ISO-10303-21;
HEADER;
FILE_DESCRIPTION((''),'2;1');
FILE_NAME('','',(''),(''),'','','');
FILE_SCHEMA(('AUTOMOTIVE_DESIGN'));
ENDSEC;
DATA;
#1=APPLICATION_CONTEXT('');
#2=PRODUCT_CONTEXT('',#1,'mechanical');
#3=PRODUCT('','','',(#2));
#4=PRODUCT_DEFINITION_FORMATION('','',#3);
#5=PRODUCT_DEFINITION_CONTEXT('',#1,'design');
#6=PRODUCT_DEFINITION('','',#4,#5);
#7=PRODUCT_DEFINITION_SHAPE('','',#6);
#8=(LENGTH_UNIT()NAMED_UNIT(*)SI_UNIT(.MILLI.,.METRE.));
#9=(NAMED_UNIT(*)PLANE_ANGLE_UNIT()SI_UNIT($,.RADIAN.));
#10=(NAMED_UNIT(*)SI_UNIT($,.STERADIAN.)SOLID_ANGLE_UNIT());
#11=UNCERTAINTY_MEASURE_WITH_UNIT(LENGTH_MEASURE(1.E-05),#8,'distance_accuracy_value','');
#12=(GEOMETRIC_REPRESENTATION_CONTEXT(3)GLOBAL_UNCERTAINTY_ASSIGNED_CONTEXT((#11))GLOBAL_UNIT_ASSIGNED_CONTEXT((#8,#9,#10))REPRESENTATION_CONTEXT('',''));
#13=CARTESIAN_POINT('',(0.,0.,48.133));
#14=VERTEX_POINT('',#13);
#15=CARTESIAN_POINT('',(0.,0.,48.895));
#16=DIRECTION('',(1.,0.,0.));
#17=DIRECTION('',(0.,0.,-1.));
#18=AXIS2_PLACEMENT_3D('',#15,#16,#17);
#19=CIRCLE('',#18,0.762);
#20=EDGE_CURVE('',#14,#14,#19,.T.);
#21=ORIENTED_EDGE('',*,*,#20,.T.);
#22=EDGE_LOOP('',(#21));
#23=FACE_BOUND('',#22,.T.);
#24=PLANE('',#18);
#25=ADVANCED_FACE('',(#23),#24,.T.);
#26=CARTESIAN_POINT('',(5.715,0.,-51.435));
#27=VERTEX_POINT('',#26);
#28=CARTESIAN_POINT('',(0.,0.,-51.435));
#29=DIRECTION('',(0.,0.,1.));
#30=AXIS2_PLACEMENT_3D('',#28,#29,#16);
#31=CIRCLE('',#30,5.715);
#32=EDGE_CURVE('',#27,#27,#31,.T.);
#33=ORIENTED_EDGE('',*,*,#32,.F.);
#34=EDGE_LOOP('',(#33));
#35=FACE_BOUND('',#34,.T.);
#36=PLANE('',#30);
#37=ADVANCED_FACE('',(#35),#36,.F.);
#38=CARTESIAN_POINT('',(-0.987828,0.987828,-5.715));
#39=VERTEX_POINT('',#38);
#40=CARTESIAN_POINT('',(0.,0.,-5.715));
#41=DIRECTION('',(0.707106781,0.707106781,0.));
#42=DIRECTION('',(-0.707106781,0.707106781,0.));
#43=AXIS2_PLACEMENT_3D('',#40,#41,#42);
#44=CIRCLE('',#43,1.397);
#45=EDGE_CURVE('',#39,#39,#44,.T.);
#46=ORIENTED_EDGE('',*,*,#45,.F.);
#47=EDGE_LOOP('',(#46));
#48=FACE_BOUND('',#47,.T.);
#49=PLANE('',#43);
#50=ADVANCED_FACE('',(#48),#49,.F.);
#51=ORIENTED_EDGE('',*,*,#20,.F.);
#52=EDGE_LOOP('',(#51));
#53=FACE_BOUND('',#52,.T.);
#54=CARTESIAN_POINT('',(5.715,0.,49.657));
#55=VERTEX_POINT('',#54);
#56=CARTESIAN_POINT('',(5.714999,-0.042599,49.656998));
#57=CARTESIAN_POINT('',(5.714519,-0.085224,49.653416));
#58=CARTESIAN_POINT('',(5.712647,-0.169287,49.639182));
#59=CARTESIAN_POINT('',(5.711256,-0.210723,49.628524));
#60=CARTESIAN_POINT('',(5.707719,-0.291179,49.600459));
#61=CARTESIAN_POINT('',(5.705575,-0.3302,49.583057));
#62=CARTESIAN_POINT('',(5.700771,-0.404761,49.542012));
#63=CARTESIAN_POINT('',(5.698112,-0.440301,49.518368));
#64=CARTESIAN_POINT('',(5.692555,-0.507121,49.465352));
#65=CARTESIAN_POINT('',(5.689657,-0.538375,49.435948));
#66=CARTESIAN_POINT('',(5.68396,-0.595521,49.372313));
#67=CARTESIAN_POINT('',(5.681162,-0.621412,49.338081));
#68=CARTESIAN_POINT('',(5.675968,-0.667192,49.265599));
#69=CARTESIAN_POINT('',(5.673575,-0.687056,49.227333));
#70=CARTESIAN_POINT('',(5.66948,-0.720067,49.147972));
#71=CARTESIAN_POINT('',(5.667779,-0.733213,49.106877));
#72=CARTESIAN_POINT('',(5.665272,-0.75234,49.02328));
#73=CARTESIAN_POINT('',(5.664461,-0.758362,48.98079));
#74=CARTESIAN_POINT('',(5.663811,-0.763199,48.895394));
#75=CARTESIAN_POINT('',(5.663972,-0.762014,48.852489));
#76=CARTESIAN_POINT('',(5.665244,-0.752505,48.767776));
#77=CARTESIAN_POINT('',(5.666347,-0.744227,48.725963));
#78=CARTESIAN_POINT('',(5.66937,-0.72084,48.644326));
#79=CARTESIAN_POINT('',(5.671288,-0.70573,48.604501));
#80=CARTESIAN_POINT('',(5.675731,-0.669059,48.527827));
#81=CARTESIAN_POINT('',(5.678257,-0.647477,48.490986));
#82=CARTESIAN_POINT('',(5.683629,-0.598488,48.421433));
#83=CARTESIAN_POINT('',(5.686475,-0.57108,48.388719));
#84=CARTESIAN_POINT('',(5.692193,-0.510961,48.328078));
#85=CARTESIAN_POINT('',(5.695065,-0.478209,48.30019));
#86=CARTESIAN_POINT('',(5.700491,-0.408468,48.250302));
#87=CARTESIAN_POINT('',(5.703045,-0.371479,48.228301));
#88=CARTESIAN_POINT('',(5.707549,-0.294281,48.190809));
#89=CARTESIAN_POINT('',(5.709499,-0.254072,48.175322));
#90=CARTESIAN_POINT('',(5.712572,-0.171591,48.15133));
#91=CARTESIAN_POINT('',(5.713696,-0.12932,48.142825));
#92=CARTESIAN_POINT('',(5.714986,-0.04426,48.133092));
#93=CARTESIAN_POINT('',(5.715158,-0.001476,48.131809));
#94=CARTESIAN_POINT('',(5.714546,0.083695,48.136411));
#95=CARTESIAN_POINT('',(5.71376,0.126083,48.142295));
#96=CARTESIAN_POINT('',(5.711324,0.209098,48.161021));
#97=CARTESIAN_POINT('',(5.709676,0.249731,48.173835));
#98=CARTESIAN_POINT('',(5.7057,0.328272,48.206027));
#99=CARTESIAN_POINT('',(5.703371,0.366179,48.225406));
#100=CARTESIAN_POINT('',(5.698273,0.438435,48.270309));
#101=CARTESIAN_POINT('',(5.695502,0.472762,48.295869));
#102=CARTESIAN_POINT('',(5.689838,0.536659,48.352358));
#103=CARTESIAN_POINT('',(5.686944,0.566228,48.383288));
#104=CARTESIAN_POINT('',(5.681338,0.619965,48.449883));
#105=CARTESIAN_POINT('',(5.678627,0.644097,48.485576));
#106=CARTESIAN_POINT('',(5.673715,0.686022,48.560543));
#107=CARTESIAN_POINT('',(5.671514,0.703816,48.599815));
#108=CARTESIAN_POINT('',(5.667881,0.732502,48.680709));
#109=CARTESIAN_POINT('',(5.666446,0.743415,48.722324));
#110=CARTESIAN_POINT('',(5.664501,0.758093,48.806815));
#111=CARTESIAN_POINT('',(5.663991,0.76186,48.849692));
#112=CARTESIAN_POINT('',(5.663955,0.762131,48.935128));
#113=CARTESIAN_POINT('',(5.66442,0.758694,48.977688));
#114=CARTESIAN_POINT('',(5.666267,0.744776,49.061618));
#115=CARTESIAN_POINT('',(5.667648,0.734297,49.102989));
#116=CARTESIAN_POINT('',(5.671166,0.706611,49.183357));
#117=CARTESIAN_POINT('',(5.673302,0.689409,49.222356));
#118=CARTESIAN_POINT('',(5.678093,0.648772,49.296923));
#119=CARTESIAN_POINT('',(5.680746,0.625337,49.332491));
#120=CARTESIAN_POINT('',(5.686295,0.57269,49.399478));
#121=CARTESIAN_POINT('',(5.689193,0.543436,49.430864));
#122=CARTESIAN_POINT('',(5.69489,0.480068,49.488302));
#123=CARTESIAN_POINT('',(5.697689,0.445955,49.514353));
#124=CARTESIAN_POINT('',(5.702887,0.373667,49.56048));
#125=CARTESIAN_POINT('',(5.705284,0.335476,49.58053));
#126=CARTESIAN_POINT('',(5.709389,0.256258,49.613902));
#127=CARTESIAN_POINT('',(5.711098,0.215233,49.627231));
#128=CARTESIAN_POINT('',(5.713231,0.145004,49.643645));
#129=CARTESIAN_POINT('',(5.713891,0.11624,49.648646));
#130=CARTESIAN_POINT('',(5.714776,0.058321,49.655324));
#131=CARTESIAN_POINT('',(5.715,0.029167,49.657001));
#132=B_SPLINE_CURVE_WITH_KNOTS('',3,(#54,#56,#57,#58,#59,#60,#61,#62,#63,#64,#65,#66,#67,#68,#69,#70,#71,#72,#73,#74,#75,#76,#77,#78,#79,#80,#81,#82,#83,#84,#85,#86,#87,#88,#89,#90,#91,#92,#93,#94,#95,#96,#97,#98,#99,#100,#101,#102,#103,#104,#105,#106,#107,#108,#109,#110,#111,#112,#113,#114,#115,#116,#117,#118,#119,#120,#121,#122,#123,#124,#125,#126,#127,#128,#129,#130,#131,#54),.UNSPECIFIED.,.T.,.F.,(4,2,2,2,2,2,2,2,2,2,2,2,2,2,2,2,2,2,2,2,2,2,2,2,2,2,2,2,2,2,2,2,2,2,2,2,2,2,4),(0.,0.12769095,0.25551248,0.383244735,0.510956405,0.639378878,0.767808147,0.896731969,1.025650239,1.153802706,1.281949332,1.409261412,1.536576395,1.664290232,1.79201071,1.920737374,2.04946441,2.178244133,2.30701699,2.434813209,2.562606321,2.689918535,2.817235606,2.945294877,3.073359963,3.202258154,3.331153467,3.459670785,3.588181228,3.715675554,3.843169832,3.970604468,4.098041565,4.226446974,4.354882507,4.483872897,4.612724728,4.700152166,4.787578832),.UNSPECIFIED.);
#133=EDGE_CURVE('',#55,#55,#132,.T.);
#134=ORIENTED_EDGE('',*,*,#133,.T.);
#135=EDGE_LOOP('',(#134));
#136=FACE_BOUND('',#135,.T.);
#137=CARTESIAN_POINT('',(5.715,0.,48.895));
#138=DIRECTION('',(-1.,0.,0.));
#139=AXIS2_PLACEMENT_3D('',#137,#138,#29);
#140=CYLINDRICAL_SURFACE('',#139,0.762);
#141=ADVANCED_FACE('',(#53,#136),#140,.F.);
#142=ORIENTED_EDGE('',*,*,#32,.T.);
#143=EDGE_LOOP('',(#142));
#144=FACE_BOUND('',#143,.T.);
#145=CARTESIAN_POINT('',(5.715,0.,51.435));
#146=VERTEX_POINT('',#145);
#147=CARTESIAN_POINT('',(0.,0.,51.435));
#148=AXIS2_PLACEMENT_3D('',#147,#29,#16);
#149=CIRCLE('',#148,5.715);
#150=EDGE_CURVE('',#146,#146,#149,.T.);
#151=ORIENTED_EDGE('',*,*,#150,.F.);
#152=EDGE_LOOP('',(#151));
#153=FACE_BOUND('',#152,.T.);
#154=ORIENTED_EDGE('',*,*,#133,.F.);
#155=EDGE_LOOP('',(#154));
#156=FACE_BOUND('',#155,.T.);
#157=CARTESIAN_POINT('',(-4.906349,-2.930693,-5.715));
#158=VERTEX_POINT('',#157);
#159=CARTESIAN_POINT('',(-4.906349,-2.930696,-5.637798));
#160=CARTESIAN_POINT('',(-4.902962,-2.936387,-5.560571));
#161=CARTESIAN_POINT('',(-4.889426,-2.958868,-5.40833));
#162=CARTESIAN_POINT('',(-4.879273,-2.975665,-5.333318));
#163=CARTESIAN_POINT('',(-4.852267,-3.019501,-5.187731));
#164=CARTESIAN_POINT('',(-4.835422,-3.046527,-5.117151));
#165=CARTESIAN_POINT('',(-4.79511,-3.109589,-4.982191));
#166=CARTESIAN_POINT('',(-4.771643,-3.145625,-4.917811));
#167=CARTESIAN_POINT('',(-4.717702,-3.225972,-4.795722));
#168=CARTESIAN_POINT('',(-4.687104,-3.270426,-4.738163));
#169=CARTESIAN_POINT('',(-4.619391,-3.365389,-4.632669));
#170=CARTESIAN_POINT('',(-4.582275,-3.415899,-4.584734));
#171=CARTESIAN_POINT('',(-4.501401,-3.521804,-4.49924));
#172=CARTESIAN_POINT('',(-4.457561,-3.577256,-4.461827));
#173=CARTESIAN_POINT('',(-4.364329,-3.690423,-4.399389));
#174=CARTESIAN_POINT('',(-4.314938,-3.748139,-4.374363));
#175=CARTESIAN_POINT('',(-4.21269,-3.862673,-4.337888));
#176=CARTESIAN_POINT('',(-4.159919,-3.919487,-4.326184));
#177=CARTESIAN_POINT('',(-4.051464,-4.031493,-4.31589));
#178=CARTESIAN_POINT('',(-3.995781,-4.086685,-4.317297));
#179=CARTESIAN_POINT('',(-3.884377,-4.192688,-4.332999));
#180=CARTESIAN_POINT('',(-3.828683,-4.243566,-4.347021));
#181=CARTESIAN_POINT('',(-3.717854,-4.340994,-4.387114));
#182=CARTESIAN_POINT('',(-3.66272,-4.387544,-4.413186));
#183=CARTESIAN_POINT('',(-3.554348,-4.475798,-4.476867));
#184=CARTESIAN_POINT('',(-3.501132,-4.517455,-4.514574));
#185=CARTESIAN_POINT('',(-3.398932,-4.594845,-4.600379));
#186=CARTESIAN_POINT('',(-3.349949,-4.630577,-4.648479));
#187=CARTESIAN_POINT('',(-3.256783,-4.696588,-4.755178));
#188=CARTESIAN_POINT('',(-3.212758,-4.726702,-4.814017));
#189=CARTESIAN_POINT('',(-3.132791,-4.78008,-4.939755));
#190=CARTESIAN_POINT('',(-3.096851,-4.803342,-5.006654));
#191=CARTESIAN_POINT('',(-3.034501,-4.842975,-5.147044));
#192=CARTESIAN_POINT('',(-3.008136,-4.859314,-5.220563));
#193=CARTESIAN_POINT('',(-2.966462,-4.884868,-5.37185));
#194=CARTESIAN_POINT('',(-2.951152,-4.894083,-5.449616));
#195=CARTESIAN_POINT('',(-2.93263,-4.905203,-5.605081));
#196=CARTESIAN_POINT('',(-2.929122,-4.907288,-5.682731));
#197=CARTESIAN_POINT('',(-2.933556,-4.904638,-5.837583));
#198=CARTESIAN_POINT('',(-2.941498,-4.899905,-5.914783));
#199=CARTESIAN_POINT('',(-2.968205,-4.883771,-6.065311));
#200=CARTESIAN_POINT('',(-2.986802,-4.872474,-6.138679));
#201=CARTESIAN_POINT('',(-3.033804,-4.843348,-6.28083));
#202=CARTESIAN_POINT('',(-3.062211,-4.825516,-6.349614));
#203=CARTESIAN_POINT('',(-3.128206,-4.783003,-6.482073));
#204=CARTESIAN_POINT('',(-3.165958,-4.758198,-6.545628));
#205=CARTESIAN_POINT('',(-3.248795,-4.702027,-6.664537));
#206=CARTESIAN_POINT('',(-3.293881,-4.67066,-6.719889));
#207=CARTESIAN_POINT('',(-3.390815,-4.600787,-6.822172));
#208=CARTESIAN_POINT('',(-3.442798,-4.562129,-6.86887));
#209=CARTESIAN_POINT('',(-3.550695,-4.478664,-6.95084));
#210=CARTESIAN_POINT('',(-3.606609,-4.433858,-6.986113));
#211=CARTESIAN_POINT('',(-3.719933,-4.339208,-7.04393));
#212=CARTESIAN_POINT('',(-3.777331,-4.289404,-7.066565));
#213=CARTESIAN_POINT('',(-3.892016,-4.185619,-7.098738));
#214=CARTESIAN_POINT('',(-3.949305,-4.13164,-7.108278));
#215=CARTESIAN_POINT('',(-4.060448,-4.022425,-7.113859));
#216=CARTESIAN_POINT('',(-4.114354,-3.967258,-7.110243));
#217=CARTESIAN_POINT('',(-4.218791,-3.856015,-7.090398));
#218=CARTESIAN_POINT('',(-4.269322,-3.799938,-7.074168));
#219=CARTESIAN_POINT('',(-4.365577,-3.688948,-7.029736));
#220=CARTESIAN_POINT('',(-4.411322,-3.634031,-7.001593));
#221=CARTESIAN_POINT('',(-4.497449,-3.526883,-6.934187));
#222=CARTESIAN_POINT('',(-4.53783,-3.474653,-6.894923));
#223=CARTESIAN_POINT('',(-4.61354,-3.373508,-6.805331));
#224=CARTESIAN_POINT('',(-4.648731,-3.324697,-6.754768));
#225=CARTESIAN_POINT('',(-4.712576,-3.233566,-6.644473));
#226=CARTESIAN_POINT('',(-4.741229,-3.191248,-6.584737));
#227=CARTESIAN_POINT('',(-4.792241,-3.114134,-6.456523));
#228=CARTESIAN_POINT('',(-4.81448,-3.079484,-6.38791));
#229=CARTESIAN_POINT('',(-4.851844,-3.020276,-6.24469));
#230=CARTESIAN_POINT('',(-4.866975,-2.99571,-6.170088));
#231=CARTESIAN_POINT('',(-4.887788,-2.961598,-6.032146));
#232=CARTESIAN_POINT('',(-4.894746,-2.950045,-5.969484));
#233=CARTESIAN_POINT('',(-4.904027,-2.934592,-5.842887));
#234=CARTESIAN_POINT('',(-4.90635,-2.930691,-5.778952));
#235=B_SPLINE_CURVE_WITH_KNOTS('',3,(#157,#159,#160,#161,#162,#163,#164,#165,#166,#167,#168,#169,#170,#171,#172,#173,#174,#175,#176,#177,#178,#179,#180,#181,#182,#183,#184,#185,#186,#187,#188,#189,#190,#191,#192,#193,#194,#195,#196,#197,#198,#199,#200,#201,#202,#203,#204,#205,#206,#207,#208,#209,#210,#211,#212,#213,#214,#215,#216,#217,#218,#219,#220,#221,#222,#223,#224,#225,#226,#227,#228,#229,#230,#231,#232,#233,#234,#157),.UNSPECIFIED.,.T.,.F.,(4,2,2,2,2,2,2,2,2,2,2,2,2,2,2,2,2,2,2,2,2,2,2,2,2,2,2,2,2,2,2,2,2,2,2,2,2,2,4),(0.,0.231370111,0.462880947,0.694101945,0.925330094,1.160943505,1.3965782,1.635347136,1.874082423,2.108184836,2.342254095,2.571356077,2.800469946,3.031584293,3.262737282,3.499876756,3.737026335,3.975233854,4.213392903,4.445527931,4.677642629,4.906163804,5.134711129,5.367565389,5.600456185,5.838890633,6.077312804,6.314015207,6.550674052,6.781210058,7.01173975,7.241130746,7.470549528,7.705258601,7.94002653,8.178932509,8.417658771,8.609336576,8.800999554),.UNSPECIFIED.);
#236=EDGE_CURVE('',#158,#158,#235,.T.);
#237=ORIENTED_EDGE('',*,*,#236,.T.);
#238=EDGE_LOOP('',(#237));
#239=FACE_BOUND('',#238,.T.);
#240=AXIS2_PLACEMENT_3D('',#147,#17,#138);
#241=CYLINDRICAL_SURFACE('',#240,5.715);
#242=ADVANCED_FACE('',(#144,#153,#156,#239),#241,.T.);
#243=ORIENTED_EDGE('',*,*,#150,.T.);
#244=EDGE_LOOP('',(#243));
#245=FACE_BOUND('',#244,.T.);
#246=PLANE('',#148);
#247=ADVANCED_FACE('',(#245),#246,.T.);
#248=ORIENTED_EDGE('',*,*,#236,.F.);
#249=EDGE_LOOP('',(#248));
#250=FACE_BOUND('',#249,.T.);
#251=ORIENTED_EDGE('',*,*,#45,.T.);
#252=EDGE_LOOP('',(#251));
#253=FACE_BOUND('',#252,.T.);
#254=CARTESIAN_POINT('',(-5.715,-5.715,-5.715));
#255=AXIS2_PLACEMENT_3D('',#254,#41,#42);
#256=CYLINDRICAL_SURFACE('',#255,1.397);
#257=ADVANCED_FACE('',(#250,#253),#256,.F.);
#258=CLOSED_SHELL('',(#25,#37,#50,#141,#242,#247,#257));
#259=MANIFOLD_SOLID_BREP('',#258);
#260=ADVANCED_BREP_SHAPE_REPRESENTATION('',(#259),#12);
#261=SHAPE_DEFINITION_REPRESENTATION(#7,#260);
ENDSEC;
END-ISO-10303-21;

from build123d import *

# Parameters (mm, degrees)
SKETCH1_R           = 3.81
BOSS_EXTRUDE1_DEPTH = 34.29
SCALE1_SCALE        = 1.5
SKETCH2_R           = 0.762
CUT_EXTRUDE1_DEPTH  = 53.066127905
SKETCH3_R           = 1.397
CUT_EXTRUDE2_DEPTH  = 53.066128026


with BuildPart() as part:
    # Sketch1 → Boss-Extrude1 (new, symmetric)
    with BuildSketch(Plane.XY):
        Circle(SKETCH1_R)
    extrude(amount=BOSS_EXTRUDE1_DEPTH, both=True)


with BuildPart() as part_1:
    # Scale1: scaled about (0, 0, 0)
    add(part.part.scale(SCALE1_SCALE))

    # Sketch2 → Cut-Extrude1 (cut, through all)
    with BuildSketch(Plane(origin=(0, 0, 0), x_dir=(0, 0, -1), z_dir=(1, 0, 0))):
        with Locations((-48.895, 0)):
            Circle(SKETCH2_R)
    extrude(amount=CUT_EXTRUDE1_DEPTH, mode=Mode.SUBTRACT)

    # Sketch3 → Cut-Extrude2 (cut, through all)
    with BuildSketch(Plane(origin=(0, 0, 0), x_dir=(-0.7071067811865476, 0.7071067811865476, 0), z_dir=(0.7071067811865476, 0.7071067811865476, 0))):
        with Locations((0, -5.715)):
            Circle(SKETCH3_R)
    extrude(amount=-CUT_EXTRUDE2_DEPTH, mode=Mode.SUBTRACT)


solid = part_1.part
